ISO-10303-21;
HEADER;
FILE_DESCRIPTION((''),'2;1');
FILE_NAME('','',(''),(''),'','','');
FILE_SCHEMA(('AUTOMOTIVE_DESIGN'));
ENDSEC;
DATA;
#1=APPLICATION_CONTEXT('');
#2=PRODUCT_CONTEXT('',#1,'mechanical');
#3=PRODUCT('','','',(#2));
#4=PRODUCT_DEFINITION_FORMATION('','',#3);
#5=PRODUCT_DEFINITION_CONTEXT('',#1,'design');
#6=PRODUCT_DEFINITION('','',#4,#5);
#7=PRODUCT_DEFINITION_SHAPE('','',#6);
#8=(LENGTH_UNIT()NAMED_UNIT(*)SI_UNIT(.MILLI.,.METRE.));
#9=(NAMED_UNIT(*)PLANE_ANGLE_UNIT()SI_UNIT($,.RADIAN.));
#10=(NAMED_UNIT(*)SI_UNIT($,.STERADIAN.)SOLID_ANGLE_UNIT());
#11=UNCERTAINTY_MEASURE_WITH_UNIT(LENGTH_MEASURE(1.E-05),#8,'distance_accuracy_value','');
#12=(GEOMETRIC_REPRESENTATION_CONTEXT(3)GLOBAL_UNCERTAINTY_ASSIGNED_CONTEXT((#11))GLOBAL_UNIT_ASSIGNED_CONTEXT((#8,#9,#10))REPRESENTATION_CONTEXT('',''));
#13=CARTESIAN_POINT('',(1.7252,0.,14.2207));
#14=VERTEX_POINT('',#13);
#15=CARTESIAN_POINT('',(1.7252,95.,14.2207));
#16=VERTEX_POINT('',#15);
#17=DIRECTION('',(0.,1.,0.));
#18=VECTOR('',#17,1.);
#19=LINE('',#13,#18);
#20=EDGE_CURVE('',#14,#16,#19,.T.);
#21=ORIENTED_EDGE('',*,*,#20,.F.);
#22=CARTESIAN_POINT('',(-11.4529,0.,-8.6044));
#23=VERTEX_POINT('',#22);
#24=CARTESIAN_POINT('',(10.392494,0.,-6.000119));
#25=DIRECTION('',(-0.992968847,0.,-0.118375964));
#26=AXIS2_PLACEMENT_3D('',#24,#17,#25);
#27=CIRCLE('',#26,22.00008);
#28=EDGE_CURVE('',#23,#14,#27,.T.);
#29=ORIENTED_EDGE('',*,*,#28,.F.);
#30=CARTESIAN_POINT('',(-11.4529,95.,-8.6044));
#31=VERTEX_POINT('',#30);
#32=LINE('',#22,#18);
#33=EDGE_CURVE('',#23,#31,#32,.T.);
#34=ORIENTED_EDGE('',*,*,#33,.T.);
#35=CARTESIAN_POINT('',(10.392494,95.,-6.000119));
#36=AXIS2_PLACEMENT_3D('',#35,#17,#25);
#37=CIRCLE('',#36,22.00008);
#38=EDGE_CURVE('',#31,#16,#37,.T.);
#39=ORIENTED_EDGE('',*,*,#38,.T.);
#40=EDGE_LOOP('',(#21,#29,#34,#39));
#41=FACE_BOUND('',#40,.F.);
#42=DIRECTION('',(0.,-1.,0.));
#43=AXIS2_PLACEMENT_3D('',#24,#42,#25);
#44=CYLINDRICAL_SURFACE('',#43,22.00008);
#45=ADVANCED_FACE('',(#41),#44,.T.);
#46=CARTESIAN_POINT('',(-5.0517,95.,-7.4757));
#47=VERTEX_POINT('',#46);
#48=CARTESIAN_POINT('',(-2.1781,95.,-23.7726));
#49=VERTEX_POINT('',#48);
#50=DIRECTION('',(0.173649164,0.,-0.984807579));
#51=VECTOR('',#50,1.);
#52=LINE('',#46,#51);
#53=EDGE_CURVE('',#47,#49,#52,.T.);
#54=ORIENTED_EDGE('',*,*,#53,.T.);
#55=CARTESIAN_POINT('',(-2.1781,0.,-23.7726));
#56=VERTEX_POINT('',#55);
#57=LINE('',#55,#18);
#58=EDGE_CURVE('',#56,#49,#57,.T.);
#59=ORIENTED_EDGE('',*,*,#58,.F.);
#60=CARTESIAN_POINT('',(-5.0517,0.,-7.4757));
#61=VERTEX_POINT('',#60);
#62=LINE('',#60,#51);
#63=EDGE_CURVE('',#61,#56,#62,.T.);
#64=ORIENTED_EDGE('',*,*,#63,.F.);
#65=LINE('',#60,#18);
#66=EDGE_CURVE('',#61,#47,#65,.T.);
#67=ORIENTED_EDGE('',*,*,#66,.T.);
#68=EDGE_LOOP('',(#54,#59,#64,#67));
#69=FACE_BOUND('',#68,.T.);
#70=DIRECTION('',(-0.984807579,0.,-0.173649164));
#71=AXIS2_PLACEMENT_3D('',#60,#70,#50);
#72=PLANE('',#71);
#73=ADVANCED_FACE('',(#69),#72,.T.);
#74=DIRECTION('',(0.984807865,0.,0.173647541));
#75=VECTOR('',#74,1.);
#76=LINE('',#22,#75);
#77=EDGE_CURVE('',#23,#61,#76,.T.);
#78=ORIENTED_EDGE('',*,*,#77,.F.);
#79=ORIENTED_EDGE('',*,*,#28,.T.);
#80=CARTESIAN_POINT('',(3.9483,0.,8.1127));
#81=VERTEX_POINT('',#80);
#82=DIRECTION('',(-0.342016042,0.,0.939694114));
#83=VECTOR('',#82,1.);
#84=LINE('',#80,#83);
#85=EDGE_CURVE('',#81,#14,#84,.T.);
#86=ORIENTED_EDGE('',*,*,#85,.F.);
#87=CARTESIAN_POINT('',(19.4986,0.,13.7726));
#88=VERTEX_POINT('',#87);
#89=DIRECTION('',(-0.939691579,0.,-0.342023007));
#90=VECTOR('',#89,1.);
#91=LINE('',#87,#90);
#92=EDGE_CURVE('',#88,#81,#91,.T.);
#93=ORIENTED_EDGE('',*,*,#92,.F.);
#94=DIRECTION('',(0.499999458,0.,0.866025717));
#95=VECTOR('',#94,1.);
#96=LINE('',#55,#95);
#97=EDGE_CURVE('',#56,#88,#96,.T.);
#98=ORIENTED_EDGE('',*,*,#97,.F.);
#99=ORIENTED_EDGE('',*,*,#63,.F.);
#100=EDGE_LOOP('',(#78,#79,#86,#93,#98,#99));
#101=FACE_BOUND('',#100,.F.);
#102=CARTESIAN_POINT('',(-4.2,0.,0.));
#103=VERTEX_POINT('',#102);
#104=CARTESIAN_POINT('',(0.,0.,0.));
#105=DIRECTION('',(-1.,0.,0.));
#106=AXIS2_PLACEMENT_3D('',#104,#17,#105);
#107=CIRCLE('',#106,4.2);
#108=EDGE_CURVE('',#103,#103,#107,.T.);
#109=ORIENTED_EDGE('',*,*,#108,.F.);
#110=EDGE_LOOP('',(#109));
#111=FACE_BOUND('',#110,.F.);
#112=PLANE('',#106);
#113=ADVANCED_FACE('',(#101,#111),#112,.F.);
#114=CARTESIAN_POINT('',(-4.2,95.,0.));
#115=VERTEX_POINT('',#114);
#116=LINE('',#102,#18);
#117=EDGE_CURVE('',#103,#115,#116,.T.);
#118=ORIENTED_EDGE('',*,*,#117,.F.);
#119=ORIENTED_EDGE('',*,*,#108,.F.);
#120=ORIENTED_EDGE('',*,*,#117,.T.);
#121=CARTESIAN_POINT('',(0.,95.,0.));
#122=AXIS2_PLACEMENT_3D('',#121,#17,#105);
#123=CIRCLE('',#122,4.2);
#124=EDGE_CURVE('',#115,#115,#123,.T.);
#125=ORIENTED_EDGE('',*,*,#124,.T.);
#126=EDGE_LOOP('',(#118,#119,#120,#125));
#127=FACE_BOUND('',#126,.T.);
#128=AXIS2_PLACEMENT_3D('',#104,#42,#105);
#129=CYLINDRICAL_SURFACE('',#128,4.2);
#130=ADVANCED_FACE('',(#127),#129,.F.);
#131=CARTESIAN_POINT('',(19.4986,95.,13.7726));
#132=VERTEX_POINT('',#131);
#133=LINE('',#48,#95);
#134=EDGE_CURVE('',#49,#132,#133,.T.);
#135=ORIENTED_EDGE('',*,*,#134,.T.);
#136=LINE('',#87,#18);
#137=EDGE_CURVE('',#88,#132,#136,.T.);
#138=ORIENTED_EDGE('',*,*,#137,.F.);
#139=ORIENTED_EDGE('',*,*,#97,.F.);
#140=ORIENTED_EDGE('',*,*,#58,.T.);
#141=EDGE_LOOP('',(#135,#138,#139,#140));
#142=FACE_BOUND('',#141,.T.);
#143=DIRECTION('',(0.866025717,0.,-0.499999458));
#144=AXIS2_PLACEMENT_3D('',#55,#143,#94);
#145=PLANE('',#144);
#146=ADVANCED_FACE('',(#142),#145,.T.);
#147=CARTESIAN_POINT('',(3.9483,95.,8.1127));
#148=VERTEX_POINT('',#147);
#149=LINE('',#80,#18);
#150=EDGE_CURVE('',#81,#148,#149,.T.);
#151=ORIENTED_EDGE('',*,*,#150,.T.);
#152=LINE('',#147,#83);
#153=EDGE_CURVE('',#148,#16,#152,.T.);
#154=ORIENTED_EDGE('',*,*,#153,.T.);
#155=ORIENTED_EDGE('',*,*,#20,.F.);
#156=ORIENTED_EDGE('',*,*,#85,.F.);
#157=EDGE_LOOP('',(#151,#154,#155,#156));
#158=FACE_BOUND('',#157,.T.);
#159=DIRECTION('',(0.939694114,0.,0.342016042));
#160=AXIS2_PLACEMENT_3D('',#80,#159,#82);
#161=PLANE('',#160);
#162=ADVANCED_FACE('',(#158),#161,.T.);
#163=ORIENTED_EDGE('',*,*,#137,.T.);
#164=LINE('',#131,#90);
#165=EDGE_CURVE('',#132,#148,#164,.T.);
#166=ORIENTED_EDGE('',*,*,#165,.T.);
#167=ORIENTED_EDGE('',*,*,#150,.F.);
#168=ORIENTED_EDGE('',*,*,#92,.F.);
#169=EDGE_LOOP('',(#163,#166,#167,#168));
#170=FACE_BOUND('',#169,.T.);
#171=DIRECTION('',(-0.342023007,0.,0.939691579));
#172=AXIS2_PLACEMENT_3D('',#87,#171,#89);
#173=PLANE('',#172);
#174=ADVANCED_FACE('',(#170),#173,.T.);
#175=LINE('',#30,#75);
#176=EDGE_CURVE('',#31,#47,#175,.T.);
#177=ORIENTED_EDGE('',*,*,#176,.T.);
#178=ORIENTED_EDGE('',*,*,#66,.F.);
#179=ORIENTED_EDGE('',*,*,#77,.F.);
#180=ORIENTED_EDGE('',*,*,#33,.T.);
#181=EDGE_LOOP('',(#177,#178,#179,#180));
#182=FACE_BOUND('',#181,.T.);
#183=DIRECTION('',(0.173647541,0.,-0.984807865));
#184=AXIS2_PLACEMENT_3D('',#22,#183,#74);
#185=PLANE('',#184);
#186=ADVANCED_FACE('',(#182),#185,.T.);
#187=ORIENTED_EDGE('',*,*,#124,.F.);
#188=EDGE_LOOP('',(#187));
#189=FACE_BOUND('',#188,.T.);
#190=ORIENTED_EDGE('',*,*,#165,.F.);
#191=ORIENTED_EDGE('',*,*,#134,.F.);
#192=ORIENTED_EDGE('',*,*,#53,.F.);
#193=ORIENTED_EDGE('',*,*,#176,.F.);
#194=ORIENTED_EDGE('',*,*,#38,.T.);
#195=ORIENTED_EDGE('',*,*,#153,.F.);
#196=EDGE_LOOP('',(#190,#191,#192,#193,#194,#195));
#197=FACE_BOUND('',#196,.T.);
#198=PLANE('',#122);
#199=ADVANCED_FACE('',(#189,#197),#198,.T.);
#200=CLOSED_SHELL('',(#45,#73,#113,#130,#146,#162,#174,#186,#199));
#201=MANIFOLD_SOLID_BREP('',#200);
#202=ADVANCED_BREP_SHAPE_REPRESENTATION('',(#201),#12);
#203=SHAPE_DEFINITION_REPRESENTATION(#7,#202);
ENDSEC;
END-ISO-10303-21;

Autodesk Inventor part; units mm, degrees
ref_plane "YZ Plane" through (0, 0, 0) normal (1, 0, 0) x (0, 1, 0)
ref_plane "XZ Plane" through (0, 0, 0) normal (0, 1, 0) x (-1, 0, 0)
ref_plane "XY Plane" through (0, 0, 0) normal (0, 0, 1) x (1, 0, 0)
sketch "Sketch1" plane through (0, 0, 0) normal (0, 1, 0) x (-1, 0, 0)
  circle A0 centre (0, 0) radius 4.2
  line L0 (11.4529, -8.6044) -> (5.0517, -7.4757) construction
  line L1 (5.0517, -7.4757) -> (-4.499, -61.6402) construction
  line L2 (-4.499, -61.6402) -> (1.9023, -62.7689) construction
  line L3 (1.9023, -62.7689) -> (11.4529, -8.6044) construction
  line L4 (-3.9483, 8.1127) -> (-1.7252, 14.2207) construction
  line L5 (-1.7252, 14.2207) -> (-53.4083, 33.0318) construction
  line L6 (-53.4083, 33.0318) -> (-55.6314, 26.9238) construction
  line L7 (-55.6314, 26.9238) -> (-3.9483, 8.1127) construction
  arc A1 (11.4529, -8.6044) -> (-1.7252, 14.2207) centre (-10.3924, -6.0001) ccw
  line L8 (-3.9483, 8.1127) -> (-55.6314, 8.1127) construction
  line L9 (5.0517, -7.4757) -> (-3.9483, 8.1127) construction
  line L10 (0.5517, 0.3185) -> (-10.3924, -6.0001) construction
  line L11 (2.1781, -23.7726) -> (-19.4986, 13.7726)
  line L12 (11.4529, -8.6044) -> (5.0517, -7.4757)
  line L13 (5.0517, -7.4757) -> (2.1781, -23.7726)
  line L14 (-19.4986, 13.7726) -> (-3.9483, 8.1127)
  line L15 (-3.9483, 8.1127) -> (-1.7252, 14.2207)
  dimension "d0" = 8.4
  dimension "d2" = 6.5
  dimension "d3" = 55
  dimension "d4" = 100
  dimension "d5" = 22
  dimension "d6" = 18
  dimension "d7" = 20
  dimension "d8" = 0.637
  dimension "d9" = 10
extrude "Extrusion1" add sketch "Sketch1" along normal blind 95
properties part number "filament_guide_spool" material "ABS Plastic"
